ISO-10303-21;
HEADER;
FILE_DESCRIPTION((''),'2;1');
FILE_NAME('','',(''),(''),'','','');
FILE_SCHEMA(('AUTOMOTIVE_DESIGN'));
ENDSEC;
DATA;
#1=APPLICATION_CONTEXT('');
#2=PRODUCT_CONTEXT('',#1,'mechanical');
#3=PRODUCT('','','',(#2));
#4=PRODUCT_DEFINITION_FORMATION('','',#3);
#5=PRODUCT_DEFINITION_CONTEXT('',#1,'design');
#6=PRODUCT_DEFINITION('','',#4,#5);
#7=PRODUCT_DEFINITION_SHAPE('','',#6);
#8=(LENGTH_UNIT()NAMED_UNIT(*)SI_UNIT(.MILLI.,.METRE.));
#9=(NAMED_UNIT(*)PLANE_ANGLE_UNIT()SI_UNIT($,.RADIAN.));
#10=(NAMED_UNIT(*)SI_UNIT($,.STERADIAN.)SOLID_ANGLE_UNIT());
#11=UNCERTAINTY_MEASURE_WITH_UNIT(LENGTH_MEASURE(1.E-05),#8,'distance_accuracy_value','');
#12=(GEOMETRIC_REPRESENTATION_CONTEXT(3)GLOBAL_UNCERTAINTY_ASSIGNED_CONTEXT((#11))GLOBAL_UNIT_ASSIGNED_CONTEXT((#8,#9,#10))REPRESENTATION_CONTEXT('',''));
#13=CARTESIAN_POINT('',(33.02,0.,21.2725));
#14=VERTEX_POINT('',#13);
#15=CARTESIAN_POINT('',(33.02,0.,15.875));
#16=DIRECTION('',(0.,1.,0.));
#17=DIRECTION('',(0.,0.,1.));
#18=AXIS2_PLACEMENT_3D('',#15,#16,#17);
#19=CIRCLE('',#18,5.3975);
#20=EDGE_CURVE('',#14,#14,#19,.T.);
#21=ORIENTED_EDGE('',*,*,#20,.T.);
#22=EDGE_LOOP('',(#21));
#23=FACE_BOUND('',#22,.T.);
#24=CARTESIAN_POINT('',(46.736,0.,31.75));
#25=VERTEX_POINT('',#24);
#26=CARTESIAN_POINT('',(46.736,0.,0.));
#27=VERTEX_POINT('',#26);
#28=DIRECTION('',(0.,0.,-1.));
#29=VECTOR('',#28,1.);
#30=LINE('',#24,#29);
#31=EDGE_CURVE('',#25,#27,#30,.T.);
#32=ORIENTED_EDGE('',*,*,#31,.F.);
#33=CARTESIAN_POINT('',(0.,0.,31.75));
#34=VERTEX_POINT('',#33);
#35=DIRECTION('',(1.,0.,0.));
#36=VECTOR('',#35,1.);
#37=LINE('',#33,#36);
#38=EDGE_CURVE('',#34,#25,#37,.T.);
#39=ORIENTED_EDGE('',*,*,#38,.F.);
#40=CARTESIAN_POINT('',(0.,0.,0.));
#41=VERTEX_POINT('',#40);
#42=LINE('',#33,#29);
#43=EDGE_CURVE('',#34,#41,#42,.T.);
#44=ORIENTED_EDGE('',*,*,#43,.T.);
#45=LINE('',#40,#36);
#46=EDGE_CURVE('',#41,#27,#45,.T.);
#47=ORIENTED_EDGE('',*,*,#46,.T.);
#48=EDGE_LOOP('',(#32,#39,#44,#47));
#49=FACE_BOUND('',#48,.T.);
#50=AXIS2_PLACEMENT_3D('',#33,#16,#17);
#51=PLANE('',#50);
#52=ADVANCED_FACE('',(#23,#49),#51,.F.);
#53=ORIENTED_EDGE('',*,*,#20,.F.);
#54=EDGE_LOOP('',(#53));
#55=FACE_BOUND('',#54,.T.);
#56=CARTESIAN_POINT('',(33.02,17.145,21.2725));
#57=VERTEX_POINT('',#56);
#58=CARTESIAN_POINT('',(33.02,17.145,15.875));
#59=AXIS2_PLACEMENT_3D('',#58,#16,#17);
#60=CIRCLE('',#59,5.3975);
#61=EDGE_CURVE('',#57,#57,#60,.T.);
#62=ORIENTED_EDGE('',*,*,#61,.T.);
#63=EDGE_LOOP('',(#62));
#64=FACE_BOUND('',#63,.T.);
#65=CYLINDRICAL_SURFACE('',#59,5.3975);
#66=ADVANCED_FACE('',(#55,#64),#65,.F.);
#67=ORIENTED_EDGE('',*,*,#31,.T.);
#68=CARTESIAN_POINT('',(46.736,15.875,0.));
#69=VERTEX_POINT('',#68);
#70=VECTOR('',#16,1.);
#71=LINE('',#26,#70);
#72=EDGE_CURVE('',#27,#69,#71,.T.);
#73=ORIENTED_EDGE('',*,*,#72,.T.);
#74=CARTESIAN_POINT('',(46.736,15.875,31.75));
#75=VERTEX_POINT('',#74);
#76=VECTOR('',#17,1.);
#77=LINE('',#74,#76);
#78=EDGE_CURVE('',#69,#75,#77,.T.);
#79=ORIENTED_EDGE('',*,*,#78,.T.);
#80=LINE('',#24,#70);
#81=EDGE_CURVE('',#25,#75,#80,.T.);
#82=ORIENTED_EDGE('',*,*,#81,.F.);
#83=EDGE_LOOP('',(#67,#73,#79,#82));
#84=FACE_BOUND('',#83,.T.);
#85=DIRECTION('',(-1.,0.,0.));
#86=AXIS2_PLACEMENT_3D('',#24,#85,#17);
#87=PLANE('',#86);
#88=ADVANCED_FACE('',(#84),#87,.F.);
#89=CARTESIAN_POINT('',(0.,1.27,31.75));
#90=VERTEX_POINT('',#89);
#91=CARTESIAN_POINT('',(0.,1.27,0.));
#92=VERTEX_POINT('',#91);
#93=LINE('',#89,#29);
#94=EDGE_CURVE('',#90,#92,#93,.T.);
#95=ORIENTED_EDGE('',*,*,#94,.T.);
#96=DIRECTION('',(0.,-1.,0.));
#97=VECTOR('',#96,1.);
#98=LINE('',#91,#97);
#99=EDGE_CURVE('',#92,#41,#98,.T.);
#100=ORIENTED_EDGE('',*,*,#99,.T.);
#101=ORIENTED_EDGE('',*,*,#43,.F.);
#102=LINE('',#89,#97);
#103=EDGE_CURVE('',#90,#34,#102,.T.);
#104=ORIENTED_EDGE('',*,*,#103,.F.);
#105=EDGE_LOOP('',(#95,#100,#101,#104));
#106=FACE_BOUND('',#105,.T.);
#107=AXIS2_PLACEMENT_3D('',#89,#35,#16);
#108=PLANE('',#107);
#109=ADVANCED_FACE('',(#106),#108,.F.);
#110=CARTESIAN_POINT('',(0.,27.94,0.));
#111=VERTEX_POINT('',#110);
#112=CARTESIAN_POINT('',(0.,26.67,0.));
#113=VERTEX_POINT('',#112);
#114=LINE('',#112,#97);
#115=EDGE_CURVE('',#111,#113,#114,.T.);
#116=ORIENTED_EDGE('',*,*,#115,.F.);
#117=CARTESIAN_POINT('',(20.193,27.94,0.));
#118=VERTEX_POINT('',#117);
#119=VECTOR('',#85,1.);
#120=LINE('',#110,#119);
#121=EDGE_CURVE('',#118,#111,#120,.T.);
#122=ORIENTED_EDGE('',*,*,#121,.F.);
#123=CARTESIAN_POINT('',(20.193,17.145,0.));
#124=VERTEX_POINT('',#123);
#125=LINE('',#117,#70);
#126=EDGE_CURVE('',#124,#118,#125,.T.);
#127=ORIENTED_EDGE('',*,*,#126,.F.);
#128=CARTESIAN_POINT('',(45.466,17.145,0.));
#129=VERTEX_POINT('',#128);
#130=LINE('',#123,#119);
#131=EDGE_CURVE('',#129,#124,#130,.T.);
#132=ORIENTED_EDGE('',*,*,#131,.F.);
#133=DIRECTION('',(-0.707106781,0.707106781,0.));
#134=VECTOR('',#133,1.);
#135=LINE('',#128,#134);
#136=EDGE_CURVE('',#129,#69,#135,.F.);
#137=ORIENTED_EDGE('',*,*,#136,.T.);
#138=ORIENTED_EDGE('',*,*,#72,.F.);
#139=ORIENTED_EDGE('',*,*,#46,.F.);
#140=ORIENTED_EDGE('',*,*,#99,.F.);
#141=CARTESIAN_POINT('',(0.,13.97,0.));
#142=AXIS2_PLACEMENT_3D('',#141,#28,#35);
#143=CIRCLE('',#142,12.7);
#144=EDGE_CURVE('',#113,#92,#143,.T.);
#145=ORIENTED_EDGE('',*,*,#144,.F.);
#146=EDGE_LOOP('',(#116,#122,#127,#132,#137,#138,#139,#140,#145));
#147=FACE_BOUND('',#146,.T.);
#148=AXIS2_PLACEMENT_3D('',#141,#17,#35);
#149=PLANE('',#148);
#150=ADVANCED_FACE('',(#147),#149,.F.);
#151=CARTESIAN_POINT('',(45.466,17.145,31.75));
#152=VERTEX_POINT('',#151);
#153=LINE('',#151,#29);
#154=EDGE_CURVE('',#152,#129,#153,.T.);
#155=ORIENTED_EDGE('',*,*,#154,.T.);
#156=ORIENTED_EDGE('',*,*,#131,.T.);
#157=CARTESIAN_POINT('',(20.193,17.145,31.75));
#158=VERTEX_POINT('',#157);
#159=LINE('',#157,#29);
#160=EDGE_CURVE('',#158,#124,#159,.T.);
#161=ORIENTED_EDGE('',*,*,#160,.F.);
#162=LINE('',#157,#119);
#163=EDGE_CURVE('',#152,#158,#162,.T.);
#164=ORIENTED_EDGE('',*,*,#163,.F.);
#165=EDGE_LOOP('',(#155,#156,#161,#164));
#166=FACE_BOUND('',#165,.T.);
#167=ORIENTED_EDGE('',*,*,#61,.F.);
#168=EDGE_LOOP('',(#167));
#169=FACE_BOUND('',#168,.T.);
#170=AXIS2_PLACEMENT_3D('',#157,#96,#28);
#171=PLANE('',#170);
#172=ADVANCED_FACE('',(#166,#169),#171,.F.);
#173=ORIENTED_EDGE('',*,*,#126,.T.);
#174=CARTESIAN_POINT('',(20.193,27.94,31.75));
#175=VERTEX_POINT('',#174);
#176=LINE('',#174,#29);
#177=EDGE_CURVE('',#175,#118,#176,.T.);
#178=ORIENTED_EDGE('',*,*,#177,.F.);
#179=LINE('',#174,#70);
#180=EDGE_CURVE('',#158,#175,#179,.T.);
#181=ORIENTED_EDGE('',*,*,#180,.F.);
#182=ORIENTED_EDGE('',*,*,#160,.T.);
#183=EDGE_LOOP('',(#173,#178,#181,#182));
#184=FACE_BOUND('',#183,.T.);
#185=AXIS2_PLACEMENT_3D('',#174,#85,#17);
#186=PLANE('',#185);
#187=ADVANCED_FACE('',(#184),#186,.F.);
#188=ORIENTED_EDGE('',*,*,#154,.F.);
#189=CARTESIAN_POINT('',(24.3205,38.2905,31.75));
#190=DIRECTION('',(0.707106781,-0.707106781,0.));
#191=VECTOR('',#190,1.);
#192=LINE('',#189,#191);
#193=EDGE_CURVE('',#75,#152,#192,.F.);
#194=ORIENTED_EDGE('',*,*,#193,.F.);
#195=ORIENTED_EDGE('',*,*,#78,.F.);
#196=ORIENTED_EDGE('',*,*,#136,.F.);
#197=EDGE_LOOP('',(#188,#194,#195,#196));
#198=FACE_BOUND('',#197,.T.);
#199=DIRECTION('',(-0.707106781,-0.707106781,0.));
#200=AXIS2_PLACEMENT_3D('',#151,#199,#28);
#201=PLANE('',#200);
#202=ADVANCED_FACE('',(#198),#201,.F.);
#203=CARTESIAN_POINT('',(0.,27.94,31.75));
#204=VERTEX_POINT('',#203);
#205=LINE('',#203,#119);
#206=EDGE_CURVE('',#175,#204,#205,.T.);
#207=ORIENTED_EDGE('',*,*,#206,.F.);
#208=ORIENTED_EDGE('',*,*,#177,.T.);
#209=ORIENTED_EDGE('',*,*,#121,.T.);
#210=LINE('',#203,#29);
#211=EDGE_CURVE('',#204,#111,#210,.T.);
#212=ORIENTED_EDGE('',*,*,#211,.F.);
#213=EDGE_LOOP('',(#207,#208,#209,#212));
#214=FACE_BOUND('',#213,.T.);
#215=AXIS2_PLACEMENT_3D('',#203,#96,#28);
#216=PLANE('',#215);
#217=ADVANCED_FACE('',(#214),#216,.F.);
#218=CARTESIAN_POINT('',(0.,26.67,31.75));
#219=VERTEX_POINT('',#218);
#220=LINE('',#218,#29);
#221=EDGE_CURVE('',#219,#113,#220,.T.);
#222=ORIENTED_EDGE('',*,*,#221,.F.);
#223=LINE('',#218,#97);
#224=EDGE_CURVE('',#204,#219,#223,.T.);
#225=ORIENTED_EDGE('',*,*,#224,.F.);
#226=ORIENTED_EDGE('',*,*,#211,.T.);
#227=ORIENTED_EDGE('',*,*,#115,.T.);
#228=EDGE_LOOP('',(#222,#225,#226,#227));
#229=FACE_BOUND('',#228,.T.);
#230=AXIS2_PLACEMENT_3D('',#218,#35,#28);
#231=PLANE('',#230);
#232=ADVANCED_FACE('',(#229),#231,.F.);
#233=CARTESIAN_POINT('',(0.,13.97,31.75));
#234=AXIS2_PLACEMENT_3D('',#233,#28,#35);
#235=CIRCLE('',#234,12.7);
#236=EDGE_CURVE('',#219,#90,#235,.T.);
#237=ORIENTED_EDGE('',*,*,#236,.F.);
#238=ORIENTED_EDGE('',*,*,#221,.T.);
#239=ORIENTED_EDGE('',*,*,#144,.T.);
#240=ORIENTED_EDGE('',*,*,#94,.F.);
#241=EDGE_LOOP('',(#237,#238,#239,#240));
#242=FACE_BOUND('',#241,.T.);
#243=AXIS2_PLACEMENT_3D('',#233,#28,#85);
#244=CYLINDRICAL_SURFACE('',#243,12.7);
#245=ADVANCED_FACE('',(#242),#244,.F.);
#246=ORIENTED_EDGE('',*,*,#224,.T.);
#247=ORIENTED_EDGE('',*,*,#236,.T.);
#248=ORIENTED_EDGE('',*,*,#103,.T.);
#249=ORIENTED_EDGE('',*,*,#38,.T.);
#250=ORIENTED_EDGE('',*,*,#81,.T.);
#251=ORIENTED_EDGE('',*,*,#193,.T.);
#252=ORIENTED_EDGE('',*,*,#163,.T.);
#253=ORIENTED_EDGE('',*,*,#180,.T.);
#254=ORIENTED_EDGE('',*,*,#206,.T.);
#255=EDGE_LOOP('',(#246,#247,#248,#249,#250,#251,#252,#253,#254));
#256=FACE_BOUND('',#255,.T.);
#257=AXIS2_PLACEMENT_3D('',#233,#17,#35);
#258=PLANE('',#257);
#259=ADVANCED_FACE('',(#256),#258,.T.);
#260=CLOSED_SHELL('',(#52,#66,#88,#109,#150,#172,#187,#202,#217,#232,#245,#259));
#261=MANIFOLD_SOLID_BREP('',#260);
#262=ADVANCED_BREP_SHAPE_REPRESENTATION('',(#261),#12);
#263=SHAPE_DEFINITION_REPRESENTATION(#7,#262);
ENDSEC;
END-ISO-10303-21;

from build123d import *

# Parameters (mm, degrees)
BOSS_EXTRUDE1_DEPTH      = 31.75
X_0_397_DIAMETER_HOLE1_D = 10.795
CHAMFER1_SIZE            = 1.27


with BuildPart() as part:
    # Sketch1 → Boss-Extrude1 (new body)
    with BuildSketch(Plane.XY):
        with BuildLine():
            Line((46.736, 0), (46.736, 17.145))
            Line((46.736, 17.145), (20.193, 17.145))
            Line((20.193, 17.145), (20.193, 27.94))
            Line((20.193, 27.94), (0, 27.94))
            Line((0, 27.94), (0, 26.67))
            ThreePointArc((0, 26.67), (12.7, 13.97), (0, 1.27))
            Line((0, 1.27), (0, 0))
            Line((0, 0), (46.736, 0))
        make_face()
    extrude(amount=BOSS_EXTRUDE1_DEPTH)

    # X (0.397) Diameter Hole1 (through all)
    with Locations(Plane(origin=(0, 17.145, 0), x_dir=(1, 0, 0), z_dir=(0, 1, 0))):
        with Locations((33.02, -15.875)):
            Hole(X_0_397_DIAMETER_HOLE1_D / 2)

    # Chamfer1
    chamfer1_edges = [part.edges().sort_by_distance(p)[0] for p in [
        (46.736, 17.145, 15.875),
    ]]
    chamfer(chamfer1_edges, length=CHAMFER1_SIZE)


solid = part.part
